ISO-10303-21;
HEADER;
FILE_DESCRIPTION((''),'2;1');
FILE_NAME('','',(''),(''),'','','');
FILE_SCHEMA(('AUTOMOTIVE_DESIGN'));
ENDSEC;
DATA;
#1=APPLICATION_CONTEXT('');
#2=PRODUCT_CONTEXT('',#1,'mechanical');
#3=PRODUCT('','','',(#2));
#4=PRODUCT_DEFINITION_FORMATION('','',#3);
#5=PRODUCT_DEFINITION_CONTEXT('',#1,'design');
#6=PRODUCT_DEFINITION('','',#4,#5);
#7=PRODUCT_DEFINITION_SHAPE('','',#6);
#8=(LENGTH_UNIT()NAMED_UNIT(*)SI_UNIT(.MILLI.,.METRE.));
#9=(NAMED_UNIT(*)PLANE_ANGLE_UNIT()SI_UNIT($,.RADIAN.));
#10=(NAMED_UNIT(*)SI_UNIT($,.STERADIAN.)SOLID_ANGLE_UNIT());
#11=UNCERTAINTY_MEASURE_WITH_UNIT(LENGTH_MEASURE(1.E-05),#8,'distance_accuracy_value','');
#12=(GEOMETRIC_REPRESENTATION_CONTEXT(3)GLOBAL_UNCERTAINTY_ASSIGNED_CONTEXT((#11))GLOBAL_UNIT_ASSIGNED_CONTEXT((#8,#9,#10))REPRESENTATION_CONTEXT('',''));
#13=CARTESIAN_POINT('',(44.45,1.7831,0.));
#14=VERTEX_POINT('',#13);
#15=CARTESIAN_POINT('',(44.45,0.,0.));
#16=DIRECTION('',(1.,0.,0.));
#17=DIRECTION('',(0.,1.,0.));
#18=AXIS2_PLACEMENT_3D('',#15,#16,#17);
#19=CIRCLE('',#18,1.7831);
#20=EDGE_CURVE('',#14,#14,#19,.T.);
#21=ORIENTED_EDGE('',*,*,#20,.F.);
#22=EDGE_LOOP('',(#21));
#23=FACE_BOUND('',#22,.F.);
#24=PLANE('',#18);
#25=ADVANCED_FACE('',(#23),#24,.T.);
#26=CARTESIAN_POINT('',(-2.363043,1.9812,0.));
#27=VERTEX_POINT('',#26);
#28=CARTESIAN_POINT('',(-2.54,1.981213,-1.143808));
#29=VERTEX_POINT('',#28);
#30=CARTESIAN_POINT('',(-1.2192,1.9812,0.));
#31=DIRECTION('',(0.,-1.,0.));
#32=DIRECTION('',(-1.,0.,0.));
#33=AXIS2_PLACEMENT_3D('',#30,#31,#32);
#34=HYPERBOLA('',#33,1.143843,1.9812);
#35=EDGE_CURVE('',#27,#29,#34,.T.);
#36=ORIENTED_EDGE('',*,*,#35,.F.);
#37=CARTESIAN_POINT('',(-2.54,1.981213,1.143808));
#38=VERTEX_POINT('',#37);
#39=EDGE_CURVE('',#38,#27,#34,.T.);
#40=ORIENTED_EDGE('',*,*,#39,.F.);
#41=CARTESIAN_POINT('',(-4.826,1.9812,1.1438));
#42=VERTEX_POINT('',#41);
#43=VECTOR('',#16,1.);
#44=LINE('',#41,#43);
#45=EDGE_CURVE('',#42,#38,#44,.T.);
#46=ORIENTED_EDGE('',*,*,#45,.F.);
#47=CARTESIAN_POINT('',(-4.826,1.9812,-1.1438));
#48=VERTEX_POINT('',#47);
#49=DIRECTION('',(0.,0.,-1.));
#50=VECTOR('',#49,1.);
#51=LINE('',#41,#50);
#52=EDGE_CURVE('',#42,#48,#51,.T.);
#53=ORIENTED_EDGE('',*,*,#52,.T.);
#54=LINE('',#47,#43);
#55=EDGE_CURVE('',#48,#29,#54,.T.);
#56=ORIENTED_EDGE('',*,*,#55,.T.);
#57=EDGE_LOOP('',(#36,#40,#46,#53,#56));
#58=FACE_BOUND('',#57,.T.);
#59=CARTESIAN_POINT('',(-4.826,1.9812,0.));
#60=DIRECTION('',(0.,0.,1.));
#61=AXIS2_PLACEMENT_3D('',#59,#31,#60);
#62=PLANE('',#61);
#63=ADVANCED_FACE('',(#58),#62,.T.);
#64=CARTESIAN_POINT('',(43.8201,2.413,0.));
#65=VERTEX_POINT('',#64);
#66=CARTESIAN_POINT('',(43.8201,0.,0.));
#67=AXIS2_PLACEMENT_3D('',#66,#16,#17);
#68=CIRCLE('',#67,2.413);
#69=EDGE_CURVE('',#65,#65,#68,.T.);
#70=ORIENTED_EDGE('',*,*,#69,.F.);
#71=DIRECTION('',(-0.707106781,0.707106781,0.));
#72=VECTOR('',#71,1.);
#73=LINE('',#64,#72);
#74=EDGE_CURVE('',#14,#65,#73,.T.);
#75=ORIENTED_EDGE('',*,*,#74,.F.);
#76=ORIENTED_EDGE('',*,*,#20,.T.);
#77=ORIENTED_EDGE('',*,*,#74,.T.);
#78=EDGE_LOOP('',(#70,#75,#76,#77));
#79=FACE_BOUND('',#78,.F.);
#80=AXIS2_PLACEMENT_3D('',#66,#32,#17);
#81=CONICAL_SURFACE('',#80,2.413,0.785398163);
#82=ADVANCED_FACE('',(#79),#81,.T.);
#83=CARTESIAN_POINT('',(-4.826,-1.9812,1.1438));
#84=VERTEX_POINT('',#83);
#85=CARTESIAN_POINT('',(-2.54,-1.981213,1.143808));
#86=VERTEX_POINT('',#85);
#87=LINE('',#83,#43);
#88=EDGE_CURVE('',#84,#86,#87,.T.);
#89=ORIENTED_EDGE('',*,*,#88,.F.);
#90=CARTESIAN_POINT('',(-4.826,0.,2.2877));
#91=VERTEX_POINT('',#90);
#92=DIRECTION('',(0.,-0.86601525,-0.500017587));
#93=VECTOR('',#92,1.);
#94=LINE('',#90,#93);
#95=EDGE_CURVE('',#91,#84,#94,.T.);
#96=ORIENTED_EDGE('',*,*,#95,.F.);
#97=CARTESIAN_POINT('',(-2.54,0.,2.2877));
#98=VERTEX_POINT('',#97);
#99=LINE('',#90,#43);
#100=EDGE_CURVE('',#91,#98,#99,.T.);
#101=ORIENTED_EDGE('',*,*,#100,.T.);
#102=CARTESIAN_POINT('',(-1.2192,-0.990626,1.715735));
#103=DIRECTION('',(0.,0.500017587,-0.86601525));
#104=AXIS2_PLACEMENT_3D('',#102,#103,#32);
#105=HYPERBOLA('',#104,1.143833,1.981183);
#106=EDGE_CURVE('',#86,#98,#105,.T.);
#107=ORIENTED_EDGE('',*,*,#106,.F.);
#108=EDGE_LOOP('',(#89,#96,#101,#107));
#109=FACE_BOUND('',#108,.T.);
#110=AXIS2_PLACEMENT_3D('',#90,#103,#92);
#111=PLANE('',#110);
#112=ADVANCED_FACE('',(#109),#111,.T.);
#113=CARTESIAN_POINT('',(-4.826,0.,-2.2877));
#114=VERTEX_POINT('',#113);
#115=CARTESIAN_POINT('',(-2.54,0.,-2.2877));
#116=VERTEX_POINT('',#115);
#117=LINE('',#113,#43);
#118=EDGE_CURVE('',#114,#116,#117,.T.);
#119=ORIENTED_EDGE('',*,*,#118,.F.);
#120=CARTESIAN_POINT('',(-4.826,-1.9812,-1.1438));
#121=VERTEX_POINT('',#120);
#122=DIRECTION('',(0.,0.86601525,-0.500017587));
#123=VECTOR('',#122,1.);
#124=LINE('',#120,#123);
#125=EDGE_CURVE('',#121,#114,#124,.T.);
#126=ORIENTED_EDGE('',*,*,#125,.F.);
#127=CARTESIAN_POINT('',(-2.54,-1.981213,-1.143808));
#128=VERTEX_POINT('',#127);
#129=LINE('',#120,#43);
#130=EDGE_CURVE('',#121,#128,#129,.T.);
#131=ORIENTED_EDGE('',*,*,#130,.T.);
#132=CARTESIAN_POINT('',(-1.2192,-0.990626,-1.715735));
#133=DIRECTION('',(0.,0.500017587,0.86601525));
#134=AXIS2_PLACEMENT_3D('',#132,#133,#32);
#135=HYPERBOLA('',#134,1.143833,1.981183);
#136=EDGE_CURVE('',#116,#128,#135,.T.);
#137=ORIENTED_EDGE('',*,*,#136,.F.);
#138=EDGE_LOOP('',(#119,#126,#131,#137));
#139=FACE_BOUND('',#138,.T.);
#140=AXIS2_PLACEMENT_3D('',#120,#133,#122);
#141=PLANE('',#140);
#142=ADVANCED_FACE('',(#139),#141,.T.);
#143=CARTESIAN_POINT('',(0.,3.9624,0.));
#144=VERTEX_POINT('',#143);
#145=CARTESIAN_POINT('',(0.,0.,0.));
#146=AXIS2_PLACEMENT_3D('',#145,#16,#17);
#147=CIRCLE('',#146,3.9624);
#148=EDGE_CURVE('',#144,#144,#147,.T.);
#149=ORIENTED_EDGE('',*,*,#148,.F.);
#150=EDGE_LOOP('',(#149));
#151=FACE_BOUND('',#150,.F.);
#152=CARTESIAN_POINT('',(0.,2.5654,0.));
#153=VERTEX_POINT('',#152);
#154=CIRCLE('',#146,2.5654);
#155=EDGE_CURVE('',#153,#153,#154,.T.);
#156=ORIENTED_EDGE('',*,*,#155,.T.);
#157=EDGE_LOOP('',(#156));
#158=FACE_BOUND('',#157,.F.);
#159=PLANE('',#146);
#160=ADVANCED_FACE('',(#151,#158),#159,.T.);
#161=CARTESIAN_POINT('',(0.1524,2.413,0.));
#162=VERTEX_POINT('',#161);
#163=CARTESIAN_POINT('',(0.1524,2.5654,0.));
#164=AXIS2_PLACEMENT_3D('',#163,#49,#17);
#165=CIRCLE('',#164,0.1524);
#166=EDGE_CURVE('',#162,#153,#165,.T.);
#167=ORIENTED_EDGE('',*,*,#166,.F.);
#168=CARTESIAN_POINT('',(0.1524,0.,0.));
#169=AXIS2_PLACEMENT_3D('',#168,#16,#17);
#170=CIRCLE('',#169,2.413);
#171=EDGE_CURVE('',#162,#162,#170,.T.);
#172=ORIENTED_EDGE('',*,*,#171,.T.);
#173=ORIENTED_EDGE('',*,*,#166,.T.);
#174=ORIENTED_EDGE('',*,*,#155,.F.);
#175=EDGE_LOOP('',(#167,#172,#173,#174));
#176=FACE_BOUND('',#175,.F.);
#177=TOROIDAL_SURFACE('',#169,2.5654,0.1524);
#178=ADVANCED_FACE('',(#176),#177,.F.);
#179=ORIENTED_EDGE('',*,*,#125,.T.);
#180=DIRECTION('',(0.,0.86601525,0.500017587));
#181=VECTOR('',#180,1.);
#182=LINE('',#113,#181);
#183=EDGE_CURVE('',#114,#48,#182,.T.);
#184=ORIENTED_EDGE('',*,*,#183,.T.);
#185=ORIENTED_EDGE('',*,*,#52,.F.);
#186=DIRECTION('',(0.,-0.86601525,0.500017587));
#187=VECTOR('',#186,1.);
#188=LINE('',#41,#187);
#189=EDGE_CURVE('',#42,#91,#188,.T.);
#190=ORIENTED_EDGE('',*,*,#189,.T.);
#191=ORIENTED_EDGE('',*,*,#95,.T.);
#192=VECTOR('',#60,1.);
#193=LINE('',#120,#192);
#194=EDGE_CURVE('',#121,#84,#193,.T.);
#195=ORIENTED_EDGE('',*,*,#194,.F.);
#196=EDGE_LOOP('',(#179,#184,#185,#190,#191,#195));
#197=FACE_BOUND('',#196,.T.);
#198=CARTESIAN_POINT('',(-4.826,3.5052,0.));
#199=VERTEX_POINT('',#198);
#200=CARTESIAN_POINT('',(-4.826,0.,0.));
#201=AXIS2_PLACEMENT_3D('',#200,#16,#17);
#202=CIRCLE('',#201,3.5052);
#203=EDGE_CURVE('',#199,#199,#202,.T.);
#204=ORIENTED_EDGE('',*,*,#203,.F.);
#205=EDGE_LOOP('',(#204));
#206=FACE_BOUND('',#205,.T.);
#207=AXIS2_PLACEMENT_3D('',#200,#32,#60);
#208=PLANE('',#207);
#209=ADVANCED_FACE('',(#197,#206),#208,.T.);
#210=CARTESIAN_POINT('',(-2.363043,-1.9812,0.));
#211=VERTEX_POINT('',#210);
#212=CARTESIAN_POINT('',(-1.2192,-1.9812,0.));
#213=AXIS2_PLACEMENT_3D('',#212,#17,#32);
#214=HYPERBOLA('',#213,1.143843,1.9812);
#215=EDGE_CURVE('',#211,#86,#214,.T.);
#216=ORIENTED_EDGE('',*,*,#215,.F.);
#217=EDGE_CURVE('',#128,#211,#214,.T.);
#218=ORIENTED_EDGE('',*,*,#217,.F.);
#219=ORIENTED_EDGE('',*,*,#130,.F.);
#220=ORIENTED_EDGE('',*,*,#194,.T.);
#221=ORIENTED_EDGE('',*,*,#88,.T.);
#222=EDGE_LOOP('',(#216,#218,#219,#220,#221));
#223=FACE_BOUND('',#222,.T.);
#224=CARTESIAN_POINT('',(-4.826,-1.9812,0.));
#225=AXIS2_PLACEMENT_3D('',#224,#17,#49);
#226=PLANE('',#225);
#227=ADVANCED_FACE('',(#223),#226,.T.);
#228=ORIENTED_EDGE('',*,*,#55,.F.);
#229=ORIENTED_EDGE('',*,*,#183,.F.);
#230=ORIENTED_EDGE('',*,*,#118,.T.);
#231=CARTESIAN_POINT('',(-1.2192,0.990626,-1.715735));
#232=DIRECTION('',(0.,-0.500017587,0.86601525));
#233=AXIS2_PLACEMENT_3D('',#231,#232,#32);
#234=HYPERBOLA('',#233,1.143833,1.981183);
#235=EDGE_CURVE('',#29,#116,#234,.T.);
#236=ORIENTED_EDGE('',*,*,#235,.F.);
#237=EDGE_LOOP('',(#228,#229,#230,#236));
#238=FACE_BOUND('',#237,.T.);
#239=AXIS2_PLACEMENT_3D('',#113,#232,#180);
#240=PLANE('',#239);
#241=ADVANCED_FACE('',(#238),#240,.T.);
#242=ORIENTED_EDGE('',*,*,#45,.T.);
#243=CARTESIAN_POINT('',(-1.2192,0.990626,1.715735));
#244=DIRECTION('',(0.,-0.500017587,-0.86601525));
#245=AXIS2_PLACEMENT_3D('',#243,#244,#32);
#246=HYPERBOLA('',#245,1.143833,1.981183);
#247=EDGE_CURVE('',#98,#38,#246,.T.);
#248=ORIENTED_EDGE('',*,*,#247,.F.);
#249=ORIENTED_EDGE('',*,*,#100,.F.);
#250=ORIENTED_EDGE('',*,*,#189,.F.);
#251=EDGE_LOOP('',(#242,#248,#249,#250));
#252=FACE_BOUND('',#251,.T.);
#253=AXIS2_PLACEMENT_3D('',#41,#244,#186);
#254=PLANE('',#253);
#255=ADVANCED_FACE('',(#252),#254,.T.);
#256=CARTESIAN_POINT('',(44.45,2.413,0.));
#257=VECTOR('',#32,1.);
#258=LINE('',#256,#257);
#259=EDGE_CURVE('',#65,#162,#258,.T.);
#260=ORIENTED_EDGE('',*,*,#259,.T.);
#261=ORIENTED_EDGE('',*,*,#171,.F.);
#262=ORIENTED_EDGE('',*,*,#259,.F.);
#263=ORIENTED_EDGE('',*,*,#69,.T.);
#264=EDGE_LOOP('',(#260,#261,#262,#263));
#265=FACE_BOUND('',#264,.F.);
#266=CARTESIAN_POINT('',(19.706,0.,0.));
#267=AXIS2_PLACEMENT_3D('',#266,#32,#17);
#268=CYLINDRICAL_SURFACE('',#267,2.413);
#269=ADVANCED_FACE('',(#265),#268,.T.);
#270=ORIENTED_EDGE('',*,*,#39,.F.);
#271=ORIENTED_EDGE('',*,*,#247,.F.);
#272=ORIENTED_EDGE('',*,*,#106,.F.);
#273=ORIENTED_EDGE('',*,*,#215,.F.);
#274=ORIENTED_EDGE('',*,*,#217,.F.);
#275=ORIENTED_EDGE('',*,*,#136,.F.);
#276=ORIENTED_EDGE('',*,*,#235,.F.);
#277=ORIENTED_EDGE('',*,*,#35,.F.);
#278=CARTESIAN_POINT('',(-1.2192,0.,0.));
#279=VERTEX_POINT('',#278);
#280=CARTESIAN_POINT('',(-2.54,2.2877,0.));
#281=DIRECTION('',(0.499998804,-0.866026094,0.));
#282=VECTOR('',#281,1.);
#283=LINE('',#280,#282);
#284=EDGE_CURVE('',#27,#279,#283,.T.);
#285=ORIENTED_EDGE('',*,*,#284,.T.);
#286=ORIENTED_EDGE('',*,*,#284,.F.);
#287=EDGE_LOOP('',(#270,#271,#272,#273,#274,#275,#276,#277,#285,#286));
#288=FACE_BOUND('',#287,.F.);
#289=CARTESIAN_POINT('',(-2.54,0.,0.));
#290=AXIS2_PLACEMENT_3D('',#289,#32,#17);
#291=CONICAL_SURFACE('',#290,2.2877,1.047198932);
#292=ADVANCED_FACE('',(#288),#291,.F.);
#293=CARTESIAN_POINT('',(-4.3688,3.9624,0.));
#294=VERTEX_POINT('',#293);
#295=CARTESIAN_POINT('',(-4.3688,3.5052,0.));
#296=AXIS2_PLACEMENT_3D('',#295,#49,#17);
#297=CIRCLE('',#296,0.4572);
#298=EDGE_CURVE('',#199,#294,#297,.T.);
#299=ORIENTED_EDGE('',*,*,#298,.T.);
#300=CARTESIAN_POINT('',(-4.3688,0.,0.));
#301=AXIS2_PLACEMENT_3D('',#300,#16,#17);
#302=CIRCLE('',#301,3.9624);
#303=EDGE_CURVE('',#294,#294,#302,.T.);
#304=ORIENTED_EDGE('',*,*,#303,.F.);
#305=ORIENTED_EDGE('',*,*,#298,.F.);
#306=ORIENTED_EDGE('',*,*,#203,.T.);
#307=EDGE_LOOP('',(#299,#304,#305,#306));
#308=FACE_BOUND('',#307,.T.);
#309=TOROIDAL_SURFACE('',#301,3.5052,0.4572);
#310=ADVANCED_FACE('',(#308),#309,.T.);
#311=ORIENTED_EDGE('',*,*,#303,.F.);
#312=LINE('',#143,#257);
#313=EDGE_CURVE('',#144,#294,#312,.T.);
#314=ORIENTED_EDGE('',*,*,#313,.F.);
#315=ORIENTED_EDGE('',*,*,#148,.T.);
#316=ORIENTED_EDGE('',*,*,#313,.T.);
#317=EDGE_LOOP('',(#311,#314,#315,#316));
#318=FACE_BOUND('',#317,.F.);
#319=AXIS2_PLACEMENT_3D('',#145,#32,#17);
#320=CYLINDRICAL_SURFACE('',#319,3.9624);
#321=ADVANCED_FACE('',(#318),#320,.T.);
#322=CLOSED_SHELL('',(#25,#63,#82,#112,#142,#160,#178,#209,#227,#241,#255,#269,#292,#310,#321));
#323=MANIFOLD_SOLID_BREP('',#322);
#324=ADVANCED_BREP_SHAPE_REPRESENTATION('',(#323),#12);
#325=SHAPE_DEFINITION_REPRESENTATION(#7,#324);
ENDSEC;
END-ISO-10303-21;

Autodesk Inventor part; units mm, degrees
ref_plane "YZ Plane" through (0, 0, 0) normal (1, 0, 0) x (0, 1, 0)
ref_plane "XZ Plane" through (0, 0, 0) normal (0, 1, 0) x (-1, 0, 0)
sketch "Sketch1" plane through (0, 0, 0) normal (0, 0, 1) x (1, 0, 0)
  line L0 (-1.2192, 0) -> (44.45, 0)
  line L1 (44.45, 0) -> (44.45, 2.413)
  line L2 (44.45, 2.413) -> (22.352, 2.413)
  line L3 (22.352, 2.413) -> (19.706, 2.413)
  line L4 (19.706, 2.413) -> (0, 2.413)
  line L5 (0, 2.413) -> (0, 3.9624)
  line L6 (0, 3.9624) -> (-4.826, 3.9624)
  line L7 (-4.826, 3.9624) -> (-4.826, 2.2877)
  line L8 (-4.826, 2.2877) -> (-2.54, 2.2877)
  line L9 (-2.54, 2.2877) -> (-1.2192, 0)
  line L10 (-14.6812, 0) -> (54.3052, 0) projected
  line L11 (0, -0.7925) -> (0, 4.7549) projected
  line L12 (22.352, 2.413) -> (0, 2.413) construction
  dimension "d1" = 22.098
  dimension "d2" = 2.646
  dimension "d3" = 4.826
  dimension "d4" = 2.286
  dimension "d5" = 60
  dimension "d6" = 4.826
  dimension "d7" = 4.826
  dimension "d8" = 4.5754
  dimension "d9" = 7.9248
  dimension "d26" = 44.45
revolve "Body" add sketch "Sketch1" angle 360 about axis through (-1.2192, 0, 0) along (1, 0, 0)
sketch "Sketch2" plane through (-4.826, 0, 0) normal (-1, 0, 0) x (0, 0, 1)
  circle A0 centre (0, 0) radius 2.2877 projected
  line L0 (0, -5.5474) -> (0, 5.5474) projected
  line L1 (-5.5474, 0) -> (5.5474, 0) projected
  line L2 (2.2877, 0) -> (1.1438, -1.9812)
  line L3 (1.1438, -1.9812) -> (-1.1438, -1.9812)
  line L4 (-1.1438, -1.9812) -> (-2.2877, 0)
  line L5 (-2.2877, 0) -> (-1.1438, 1.9812)
  line L6 (-1.1438, 1.9812) -> (1.1438, 1.9812)
  line L7 (1.1438, 1.9812) -> (2.2877, 0)
extrude "Slot" add sketch "Sketch2" against normal up to next contours L7 A0 | A0 L2 | L6 L0 A0 | A0 L0 L3 | L0 L6 A0 | A0 L3 L0 | L4 A0 | A0 L5
fillet "Fillet1" radius 0.4572 1 edges at (-4.826, -3.9624, 0)
thread "Thread" size "10-24 UNC" class "2A" standard "ANSI Unified Screw Threads" length 22.098
chamfer "Chamfer1" distance 0.6299 distance2 0.6299 1 edges at (44.45, -2.413, 0) measured on face at (44.45, 0.781, 0.8743)
ref_plane "Work Plane1" through (29, 0, 0) normal (0, -1, 0) x (1, 0, 0)
fillet "Fillet2" radius 0.1524 1 edges at (0, -2.413, 0)
equation "\"d1\" = GEL"
equation "\"d3\" = KOH"
equation "\"d4\" = INTI"
equation "\"d6\" = GD"
equation "\"d7\" = BDM"
equation "\"d8\" = 1.1547 * SW"
equation "\"d9\" = KOD"
equation "\"d26\" = NLG"
equation "\"d30\" = R"
equation "\"d17\" = RR"
equation "\"d13\" = GEL"
equation "\"d15\" = -0.5 * SPD + 0.5 * GD"
equation "\"d16\" = GUL"
equation "\"GD\" = 4.826"
equation "\"NLG\" = 44.45"
equation "\"GEL\" = 22.098"
equation "\"KOD\" = 7.9248"
equation "\"KOH\" = 4.826"
equation "\"INTI\" = 2.286"
equation "\"GAL\" = 2.64592"
equation "\"GUL\" = 0.62992"
equation "\"BDM\" = 4.826"
equation "\"SW\" = 3.9624"
equation "\"RR\" = 0.4572"
equation "\"SPD\" = 3.56616"
equation "\"R\" = 0.1524"
equation "\"PHH\" = 0.127"
equation "\"GD1\" = SPD"
equation "\"THREADDIA\" = 4.826"
equation "\"FAWI\" = 45deg"
equation "\"KOH1\" = 4.3434"
equation "\"NND\" = 4.826"
equation "\"TOA\" = 30deg"
equation "\"E0\" = 1.155 * SW"
properties part number "ANSI B18.3 - No. 10 - 24 UNC - 1 3/4 HS HCS" material "Steel, Mild"
